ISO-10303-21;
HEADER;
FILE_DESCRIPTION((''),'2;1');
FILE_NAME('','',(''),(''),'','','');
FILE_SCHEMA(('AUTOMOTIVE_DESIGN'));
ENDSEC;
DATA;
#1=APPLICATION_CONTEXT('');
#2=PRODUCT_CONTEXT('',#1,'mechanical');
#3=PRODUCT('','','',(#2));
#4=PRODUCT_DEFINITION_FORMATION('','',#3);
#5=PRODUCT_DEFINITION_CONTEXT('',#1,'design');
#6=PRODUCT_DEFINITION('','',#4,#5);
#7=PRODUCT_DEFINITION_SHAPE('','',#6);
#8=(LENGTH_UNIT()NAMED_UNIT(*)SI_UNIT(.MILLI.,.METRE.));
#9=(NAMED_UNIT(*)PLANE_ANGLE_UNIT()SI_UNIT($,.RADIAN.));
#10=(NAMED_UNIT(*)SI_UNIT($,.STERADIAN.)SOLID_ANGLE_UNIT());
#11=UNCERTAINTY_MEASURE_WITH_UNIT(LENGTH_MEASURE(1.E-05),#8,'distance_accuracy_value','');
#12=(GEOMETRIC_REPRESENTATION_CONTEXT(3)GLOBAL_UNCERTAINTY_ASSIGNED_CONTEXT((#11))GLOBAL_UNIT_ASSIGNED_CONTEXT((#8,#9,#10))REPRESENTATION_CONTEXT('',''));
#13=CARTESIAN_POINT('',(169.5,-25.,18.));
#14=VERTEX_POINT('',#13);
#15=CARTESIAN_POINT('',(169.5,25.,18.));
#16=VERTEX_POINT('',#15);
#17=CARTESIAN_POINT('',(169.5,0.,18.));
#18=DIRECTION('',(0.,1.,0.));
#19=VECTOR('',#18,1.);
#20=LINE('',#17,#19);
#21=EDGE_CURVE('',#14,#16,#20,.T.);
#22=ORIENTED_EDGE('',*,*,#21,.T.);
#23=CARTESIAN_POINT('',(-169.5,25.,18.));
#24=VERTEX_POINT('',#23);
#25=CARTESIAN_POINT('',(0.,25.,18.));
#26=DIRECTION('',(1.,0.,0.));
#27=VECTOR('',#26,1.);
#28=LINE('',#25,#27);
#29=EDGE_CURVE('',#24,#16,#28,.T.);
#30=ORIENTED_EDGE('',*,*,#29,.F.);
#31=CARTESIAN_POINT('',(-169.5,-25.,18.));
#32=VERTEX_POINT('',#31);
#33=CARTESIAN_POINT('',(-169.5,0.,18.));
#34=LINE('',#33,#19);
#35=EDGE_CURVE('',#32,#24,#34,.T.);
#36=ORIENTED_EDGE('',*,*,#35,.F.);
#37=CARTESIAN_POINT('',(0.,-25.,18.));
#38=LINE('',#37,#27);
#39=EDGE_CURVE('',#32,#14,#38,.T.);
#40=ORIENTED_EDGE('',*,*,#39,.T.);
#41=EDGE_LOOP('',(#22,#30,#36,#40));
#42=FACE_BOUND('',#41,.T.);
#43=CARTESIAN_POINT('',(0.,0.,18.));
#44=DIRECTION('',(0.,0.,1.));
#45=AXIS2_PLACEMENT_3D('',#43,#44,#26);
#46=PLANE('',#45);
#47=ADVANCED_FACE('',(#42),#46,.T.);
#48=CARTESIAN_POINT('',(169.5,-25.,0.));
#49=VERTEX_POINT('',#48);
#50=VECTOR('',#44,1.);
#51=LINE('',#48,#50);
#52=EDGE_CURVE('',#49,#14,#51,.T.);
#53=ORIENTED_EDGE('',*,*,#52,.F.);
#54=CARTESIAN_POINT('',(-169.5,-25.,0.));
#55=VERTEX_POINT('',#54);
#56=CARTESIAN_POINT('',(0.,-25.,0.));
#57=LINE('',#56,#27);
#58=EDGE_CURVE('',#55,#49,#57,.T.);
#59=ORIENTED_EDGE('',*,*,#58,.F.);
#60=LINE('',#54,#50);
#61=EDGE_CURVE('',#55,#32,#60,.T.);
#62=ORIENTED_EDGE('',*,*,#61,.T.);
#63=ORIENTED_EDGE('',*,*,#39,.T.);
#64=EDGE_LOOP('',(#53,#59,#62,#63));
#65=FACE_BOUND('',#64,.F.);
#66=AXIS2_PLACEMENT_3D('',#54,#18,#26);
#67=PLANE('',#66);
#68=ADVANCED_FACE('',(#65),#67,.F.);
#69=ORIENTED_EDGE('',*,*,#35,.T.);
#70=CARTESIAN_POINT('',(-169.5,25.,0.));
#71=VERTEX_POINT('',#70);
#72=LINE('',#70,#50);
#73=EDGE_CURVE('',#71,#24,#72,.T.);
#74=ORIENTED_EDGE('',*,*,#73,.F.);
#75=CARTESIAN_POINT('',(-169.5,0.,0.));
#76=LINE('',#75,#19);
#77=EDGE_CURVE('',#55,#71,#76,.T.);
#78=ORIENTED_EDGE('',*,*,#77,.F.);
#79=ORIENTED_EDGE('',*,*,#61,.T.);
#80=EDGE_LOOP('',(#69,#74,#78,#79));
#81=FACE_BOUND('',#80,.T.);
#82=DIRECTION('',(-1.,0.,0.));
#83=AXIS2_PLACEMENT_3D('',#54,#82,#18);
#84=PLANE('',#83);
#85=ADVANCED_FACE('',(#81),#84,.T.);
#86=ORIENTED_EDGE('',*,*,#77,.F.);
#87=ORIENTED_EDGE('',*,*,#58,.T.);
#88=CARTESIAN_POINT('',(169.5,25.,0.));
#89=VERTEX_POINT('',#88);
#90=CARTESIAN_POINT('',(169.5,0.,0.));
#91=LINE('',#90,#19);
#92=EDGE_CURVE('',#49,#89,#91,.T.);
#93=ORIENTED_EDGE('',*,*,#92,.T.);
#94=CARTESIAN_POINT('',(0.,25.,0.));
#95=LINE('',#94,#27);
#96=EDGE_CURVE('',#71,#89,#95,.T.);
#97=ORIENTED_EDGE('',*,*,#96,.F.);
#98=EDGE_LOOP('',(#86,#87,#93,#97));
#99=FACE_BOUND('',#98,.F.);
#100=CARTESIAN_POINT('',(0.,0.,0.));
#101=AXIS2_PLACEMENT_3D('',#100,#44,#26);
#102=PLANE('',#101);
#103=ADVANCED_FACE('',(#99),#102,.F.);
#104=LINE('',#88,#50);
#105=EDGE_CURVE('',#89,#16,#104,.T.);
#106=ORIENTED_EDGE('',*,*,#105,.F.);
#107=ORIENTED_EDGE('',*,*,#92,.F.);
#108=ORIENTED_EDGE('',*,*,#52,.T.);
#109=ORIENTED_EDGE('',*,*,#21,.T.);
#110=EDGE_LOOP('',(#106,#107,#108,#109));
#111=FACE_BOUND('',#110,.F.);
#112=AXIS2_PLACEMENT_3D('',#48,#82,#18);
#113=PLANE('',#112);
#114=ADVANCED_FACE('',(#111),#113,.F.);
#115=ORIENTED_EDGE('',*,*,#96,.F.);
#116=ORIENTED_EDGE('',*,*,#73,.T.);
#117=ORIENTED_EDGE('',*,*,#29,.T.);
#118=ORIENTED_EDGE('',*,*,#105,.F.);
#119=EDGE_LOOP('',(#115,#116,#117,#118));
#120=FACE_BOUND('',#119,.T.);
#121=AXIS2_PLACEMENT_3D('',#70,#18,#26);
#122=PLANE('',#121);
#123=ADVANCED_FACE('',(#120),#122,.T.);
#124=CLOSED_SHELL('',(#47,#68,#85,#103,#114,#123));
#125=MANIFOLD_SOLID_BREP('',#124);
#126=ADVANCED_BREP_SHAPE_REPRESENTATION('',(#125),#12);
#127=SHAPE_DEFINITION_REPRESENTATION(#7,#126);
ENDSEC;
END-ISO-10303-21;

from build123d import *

# Parameters (mm, degrees)
SKETCH_W  = 339
SKETCH_H  = 50
PAD_DEPTH = 18


with BuildPart() as part:
    # Sketch → Pad (new body)
    with BuildSketch(Plane.XY):
        Rectangle(SKETCH_W, SKETCH_H)
    extrude(amount=PAD_DEPTH)


solid = part.part
